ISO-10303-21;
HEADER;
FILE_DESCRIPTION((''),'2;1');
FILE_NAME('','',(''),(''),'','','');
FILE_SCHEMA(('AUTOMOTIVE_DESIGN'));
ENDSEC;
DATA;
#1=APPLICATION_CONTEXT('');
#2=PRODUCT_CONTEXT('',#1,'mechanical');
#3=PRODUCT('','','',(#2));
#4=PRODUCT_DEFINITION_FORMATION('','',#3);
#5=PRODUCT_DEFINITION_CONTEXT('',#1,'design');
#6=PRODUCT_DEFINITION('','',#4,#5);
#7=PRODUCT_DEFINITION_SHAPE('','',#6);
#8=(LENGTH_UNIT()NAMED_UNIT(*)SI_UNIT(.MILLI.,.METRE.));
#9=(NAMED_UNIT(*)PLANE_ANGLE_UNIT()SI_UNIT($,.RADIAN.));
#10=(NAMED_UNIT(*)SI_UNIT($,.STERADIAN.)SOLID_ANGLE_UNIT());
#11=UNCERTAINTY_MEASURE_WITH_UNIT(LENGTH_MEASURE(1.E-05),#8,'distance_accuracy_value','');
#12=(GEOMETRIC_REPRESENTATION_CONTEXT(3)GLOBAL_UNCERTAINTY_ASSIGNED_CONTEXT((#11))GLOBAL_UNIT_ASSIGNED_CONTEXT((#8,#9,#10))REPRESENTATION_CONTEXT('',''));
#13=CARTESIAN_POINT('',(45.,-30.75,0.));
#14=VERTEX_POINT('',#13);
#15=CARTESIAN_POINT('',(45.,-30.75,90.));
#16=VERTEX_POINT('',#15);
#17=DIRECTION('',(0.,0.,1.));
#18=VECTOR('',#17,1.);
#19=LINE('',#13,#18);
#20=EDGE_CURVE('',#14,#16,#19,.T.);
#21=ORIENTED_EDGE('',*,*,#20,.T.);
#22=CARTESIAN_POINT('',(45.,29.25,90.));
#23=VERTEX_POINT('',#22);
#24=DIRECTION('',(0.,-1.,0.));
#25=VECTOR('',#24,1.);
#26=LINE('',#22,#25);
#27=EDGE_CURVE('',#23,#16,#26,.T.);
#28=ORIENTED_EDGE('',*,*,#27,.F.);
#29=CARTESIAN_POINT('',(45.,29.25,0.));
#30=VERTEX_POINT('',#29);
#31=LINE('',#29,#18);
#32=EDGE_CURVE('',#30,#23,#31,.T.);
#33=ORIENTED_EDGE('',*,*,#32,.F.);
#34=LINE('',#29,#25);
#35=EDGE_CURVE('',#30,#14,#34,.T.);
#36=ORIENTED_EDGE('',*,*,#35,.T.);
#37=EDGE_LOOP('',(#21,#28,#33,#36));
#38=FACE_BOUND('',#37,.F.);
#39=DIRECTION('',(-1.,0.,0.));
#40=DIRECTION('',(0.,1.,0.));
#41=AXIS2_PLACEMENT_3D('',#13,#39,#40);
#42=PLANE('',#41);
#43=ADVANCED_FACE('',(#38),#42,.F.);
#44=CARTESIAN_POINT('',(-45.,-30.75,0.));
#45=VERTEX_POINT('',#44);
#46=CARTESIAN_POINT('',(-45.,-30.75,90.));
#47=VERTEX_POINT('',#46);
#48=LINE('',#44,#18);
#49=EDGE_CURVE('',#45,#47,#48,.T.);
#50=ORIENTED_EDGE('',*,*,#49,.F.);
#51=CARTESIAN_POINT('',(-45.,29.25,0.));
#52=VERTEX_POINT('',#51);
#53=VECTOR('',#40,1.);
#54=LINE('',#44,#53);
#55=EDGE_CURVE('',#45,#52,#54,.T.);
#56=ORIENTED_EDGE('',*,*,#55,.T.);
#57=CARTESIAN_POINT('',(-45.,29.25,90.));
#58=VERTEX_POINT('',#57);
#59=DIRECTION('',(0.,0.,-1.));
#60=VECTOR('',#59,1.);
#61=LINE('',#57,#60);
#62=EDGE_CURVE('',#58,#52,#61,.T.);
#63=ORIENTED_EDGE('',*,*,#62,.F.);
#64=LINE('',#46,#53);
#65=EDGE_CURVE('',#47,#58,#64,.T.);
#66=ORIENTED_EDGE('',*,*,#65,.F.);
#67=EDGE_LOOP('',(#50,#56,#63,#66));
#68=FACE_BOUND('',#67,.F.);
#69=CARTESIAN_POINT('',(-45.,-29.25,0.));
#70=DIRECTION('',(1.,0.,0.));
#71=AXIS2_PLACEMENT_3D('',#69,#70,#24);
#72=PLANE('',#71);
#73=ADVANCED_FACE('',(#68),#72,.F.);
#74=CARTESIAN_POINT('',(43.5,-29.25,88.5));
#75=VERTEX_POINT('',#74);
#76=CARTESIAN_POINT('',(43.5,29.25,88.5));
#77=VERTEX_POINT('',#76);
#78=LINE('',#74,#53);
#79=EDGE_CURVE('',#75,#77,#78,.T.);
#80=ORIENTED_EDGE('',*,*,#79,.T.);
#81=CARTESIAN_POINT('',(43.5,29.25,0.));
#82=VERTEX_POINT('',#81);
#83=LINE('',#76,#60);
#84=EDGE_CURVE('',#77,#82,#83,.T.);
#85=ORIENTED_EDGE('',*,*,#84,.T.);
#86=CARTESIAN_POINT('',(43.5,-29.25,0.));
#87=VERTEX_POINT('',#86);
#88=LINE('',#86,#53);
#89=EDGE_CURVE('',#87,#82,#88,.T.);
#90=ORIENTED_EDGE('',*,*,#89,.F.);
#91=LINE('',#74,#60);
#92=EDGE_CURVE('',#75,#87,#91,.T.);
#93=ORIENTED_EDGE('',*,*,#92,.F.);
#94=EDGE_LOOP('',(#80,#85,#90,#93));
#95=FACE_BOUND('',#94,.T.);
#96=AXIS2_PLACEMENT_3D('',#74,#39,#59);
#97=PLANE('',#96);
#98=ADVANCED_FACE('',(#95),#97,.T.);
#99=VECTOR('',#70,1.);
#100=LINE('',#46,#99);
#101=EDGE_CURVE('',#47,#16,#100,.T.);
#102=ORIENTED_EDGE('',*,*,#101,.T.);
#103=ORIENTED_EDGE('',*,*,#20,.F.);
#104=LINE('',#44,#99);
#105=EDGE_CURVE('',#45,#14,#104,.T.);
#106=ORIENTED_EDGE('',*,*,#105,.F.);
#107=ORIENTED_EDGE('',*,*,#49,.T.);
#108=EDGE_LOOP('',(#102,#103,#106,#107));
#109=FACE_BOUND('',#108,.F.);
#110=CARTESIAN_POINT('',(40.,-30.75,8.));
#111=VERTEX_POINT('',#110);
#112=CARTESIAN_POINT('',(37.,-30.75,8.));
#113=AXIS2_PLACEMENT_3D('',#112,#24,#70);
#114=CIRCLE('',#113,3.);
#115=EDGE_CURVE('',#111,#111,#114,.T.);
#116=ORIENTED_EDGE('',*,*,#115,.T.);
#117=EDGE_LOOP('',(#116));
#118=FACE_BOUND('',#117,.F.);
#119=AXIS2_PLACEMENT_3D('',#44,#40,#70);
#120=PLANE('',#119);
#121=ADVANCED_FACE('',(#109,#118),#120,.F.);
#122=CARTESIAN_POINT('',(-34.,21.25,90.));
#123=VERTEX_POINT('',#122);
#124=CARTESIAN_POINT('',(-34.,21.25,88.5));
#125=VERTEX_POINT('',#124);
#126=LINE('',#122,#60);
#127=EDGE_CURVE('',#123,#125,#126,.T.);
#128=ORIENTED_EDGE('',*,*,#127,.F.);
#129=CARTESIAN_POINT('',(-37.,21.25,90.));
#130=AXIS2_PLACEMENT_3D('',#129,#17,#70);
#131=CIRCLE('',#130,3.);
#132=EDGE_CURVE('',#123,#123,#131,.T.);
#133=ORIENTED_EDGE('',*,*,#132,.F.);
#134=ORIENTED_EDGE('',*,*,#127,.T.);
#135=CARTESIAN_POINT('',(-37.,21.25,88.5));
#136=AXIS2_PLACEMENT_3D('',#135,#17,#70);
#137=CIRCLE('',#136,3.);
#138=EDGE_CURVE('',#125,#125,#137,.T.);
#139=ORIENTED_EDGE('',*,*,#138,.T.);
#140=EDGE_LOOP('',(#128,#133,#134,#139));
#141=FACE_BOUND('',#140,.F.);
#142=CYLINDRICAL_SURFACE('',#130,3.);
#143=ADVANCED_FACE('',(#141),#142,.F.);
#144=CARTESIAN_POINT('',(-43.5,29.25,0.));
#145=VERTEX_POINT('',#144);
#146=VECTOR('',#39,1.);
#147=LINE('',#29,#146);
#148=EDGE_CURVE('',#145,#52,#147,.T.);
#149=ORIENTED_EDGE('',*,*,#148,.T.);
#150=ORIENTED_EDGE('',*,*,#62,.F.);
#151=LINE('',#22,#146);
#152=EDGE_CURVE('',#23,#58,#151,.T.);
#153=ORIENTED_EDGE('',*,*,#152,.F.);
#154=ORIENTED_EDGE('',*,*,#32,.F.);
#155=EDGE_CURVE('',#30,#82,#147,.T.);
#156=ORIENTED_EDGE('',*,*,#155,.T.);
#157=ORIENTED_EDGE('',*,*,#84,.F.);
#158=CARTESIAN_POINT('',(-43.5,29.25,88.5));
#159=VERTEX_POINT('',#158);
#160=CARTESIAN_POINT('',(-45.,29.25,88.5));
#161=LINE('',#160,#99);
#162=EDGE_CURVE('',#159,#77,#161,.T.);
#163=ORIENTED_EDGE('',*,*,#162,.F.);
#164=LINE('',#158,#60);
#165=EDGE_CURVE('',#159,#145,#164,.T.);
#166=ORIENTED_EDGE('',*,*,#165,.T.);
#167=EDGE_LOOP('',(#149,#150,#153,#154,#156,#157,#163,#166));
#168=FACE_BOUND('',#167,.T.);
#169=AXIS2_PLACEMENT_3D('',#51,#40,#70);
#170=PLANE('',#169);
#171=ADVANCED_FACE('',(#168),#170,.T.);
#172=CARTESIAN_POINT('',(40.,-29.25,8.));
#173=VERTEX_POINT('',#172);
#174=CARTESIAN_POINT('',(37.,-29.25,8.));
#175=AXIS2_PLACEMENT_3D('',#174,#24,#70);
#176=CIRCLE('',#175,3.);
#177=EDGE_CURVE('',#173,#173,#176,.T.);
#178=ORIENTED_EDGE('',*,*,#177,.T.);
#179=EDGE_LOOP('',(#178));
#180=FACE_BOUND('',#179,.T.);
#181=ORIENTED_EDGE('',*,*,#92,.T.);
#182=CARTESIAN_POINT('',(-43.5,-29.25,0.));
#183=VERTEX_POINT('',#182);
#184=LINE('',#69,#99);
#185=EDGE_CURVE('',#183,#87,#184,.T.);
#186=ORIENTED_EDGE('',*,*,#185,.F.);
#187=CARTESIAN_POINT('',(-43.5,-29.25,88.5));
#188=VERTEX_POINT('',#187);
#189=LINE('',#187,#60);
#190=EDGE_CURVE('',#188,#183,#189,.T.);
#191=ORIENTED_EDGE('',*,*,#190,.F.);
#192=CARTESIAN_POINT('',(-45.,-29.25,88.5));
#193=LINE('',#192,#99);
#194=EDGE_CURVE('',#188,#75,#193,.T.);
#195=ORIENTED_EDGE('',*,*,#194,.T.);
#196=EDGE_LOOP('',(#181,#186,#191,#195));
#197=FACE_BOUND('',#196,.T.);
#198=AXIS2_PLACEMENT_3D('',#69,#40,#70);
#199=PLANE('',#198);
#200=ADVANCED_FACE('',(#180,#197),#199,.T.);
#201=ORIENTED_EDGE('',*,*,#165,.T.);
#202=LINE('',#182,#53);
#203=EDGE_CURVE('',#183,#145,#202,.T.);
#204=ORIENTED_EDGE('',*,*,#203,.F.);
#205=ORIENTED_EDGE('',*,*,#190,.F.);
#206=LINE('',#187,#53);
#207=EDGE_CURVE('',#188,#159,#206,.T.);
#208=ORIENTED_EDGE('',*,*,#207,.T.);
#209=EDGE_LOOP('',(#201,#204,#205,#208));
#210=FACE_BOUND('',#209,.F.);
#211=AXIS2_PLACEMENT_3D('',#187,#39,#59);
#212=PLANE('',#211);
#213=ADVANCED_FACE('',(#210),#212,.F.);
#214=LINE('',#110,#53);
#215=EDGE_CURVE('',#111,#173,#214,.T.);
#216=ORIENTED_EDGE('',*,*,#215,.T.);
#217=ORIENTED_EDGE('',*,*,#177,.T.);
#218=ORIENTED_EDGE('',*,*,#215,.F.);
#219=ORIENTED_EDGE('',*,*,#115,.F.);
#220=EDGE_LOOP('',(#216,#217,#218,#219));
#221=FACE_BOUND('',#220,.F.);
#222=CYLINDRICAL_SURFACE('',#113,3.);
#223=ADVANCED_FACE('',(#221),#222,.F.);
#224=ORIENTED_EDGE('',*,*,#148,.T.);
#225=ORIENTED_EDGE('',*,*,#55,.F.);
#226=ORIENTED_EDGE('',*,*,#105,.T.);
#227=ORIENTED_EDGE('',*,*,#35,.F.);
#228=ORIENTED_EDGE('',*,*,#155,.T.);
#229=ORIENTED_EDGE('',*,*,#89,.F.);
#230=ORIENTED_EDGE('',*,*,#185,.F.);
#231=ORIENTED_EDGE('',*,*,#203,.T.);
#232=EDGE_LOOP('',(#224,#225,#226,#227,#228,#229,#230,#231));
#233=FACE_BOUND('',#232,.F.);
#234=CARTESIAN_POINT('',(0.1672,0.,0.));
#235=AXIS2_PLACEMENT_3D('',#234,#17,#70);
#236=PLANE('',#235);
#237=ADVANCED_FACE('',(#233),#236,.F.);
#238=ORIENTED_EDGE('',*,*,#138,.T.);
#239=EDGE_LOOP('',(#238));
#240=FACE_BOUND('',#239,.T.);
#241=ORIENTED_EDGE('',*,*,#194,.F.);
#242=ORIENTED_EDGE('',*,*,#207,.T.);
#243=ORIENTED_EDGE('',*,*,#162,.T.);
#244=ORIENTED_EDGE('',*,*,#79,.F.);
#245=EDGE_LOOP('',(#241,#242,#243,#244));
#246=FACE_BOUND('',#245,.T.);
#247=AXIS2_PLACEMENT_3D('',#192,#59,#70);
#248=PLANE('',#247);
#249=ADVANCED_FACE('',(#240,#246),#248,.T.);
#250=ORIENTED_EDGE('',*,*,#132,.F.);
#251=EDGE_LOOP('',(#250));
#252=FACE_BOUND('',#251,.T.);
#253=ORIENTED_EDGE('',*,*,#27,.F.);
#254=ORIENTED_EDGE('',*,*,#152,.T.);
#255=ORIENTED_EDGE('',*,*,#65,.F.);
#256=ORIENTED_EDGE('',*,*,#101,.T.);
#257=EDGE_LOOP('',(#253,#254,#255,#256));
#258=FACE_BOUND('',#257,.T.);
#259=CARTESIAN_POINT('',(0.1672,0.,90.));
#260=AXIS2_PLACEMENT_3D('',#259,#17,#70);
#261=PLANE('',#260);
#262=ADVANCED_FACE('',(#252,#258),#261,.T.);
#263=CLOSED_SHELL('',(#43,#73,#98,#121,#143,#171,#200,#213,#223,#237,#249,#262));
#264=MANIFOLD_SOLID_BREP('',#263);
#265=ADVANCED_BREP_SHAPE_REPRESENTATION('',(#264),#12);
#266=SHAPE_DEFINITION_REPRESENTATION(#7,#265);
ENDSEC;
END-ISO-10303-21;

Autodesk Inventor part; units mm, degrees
ref_plane "Work Plane1" through (0.1672, 0, 0) normal (0, 0, 1) x (1, 0, 0)
sketch "Sketch1" plane through (0.1672, 0, 0) normal (0, 0, 1) x (1, 0, 0)
  line L0 (-45.1672, 29.25) -> (44.8328, 29.25) projected
  line L1 (-45.1672, 29.25) -> (-45.1672, -30.75) projected
  line L2 (-45.1672, -30.75) -> (44.8328, -30.75) projected
  line L3 (44.8328, -30.75) -> (44.8328, 29.25) projected
  circle A0 centre (-37.1672, -22.75) radius 3 projected
  line L4 (44.8328, -30.75) -> (-45.1672, -30.75)
  line L5 (-45.1672, -30.75) -> (-45.1672, -29.25)
  line L6 (-45.1672, -29.25) -> (44.8328, -29.25)
  line L7 (44.8328, -29.25) -> (44.8328, -30.75)
  point P0 (-0.1672, 0)
  dimension "d0" = 1.5
ref_plane "Work Plane2" through (-45.2602, 13.6363, 90) normal (0, 0, 1) x (1, 0, 0)
extrude "Extrusion1" add sketch "Sketch1" along normal up to surface (90 mm away) contours L6 L3 L2 L1
sketch "Sketch2" plane through (-45, -29.25, 0) normal (0, 1, 0) x (1, 0, 0)
  line L0 (90, 0) -> (90, -90) projected
  line L1 (0, 0) -> (0, -90) projected
  line L2 (90, -90) -> (0, -90)
  line L3 (0, -90) -> (0, -88.5)
  line L4 (0, -88.5) -> (90, -88.5)
  line L5 (90, -88.5) -> (90, -90)
  point P0 (45, 0)
  dimension "d3" = 1.5
ref_plane "Work Plane3" through (-81.5561, 29.25, -36.5561) normal (0, -1, 0) x (1, 0, 0)
extrude "Extrusion2" add sketch "Sketch2" along normal up to surface (58.5 mm away)
sketch "Sketch4" plane through (-45, -29.25, 0) normal (0, 1, 0) x (1, 0, 0)
  line L0 (90, 0) -> (90, -88.5) projected
  line L1 (90, 0) -> (0, 0) projected
  line L2 (90, -88.5) -> (88.5, -88.5)
  line L3 (88.5, -88.5) -> (88.5, 0)
  line L4 (88.5, 0) -> (90, 0)
  line L5 (90, 0) -> (90, -88.5)
  line L6 (0, 0) -> (0, -88.5) projected
  line L7 (0, -88.5) -> (1.5, -88.5)
  line L8 (1.5, -88.5) -> (1.5, 0)
  line L9 (1.5, 0) -> (0, 0)
  line L10 (0, 0) -> (0, -88.5)
  point P0 (45, 0)
  dimension "d7" = 1.5
  dimension "d8" = 1.5
ref_plane "Work Plane4" through (-81.5561, 29.25, -36.5561) normal (0, -1, 0) x (1, 0, 0)
extrude "Extrusion3" add sketch "Sketch4" along normal up to surface (58.5 mm away)
sketch "Sketch5" plane through (-45, -30.75, 0) normal (0, -1, 0) x (1, 0, 0)
  circle A0 centre (82, 8) radius 3 projected
  point P0 (45, 0)
extrude "Extrusion4" cut sketch "Sketch5" against normal up to next
sketch "Sketch6" plane through (-45, -30.75, 90) normal (0, 0, 1) x (1, 0, 0)
  circle A0 centre (8, 52) radius 3 projected
  point P0 (45, 30.75)
extrude "Extrusion5" cut sketch "Sketch6" against normal up to next
properties part number "fixação chave geral"
